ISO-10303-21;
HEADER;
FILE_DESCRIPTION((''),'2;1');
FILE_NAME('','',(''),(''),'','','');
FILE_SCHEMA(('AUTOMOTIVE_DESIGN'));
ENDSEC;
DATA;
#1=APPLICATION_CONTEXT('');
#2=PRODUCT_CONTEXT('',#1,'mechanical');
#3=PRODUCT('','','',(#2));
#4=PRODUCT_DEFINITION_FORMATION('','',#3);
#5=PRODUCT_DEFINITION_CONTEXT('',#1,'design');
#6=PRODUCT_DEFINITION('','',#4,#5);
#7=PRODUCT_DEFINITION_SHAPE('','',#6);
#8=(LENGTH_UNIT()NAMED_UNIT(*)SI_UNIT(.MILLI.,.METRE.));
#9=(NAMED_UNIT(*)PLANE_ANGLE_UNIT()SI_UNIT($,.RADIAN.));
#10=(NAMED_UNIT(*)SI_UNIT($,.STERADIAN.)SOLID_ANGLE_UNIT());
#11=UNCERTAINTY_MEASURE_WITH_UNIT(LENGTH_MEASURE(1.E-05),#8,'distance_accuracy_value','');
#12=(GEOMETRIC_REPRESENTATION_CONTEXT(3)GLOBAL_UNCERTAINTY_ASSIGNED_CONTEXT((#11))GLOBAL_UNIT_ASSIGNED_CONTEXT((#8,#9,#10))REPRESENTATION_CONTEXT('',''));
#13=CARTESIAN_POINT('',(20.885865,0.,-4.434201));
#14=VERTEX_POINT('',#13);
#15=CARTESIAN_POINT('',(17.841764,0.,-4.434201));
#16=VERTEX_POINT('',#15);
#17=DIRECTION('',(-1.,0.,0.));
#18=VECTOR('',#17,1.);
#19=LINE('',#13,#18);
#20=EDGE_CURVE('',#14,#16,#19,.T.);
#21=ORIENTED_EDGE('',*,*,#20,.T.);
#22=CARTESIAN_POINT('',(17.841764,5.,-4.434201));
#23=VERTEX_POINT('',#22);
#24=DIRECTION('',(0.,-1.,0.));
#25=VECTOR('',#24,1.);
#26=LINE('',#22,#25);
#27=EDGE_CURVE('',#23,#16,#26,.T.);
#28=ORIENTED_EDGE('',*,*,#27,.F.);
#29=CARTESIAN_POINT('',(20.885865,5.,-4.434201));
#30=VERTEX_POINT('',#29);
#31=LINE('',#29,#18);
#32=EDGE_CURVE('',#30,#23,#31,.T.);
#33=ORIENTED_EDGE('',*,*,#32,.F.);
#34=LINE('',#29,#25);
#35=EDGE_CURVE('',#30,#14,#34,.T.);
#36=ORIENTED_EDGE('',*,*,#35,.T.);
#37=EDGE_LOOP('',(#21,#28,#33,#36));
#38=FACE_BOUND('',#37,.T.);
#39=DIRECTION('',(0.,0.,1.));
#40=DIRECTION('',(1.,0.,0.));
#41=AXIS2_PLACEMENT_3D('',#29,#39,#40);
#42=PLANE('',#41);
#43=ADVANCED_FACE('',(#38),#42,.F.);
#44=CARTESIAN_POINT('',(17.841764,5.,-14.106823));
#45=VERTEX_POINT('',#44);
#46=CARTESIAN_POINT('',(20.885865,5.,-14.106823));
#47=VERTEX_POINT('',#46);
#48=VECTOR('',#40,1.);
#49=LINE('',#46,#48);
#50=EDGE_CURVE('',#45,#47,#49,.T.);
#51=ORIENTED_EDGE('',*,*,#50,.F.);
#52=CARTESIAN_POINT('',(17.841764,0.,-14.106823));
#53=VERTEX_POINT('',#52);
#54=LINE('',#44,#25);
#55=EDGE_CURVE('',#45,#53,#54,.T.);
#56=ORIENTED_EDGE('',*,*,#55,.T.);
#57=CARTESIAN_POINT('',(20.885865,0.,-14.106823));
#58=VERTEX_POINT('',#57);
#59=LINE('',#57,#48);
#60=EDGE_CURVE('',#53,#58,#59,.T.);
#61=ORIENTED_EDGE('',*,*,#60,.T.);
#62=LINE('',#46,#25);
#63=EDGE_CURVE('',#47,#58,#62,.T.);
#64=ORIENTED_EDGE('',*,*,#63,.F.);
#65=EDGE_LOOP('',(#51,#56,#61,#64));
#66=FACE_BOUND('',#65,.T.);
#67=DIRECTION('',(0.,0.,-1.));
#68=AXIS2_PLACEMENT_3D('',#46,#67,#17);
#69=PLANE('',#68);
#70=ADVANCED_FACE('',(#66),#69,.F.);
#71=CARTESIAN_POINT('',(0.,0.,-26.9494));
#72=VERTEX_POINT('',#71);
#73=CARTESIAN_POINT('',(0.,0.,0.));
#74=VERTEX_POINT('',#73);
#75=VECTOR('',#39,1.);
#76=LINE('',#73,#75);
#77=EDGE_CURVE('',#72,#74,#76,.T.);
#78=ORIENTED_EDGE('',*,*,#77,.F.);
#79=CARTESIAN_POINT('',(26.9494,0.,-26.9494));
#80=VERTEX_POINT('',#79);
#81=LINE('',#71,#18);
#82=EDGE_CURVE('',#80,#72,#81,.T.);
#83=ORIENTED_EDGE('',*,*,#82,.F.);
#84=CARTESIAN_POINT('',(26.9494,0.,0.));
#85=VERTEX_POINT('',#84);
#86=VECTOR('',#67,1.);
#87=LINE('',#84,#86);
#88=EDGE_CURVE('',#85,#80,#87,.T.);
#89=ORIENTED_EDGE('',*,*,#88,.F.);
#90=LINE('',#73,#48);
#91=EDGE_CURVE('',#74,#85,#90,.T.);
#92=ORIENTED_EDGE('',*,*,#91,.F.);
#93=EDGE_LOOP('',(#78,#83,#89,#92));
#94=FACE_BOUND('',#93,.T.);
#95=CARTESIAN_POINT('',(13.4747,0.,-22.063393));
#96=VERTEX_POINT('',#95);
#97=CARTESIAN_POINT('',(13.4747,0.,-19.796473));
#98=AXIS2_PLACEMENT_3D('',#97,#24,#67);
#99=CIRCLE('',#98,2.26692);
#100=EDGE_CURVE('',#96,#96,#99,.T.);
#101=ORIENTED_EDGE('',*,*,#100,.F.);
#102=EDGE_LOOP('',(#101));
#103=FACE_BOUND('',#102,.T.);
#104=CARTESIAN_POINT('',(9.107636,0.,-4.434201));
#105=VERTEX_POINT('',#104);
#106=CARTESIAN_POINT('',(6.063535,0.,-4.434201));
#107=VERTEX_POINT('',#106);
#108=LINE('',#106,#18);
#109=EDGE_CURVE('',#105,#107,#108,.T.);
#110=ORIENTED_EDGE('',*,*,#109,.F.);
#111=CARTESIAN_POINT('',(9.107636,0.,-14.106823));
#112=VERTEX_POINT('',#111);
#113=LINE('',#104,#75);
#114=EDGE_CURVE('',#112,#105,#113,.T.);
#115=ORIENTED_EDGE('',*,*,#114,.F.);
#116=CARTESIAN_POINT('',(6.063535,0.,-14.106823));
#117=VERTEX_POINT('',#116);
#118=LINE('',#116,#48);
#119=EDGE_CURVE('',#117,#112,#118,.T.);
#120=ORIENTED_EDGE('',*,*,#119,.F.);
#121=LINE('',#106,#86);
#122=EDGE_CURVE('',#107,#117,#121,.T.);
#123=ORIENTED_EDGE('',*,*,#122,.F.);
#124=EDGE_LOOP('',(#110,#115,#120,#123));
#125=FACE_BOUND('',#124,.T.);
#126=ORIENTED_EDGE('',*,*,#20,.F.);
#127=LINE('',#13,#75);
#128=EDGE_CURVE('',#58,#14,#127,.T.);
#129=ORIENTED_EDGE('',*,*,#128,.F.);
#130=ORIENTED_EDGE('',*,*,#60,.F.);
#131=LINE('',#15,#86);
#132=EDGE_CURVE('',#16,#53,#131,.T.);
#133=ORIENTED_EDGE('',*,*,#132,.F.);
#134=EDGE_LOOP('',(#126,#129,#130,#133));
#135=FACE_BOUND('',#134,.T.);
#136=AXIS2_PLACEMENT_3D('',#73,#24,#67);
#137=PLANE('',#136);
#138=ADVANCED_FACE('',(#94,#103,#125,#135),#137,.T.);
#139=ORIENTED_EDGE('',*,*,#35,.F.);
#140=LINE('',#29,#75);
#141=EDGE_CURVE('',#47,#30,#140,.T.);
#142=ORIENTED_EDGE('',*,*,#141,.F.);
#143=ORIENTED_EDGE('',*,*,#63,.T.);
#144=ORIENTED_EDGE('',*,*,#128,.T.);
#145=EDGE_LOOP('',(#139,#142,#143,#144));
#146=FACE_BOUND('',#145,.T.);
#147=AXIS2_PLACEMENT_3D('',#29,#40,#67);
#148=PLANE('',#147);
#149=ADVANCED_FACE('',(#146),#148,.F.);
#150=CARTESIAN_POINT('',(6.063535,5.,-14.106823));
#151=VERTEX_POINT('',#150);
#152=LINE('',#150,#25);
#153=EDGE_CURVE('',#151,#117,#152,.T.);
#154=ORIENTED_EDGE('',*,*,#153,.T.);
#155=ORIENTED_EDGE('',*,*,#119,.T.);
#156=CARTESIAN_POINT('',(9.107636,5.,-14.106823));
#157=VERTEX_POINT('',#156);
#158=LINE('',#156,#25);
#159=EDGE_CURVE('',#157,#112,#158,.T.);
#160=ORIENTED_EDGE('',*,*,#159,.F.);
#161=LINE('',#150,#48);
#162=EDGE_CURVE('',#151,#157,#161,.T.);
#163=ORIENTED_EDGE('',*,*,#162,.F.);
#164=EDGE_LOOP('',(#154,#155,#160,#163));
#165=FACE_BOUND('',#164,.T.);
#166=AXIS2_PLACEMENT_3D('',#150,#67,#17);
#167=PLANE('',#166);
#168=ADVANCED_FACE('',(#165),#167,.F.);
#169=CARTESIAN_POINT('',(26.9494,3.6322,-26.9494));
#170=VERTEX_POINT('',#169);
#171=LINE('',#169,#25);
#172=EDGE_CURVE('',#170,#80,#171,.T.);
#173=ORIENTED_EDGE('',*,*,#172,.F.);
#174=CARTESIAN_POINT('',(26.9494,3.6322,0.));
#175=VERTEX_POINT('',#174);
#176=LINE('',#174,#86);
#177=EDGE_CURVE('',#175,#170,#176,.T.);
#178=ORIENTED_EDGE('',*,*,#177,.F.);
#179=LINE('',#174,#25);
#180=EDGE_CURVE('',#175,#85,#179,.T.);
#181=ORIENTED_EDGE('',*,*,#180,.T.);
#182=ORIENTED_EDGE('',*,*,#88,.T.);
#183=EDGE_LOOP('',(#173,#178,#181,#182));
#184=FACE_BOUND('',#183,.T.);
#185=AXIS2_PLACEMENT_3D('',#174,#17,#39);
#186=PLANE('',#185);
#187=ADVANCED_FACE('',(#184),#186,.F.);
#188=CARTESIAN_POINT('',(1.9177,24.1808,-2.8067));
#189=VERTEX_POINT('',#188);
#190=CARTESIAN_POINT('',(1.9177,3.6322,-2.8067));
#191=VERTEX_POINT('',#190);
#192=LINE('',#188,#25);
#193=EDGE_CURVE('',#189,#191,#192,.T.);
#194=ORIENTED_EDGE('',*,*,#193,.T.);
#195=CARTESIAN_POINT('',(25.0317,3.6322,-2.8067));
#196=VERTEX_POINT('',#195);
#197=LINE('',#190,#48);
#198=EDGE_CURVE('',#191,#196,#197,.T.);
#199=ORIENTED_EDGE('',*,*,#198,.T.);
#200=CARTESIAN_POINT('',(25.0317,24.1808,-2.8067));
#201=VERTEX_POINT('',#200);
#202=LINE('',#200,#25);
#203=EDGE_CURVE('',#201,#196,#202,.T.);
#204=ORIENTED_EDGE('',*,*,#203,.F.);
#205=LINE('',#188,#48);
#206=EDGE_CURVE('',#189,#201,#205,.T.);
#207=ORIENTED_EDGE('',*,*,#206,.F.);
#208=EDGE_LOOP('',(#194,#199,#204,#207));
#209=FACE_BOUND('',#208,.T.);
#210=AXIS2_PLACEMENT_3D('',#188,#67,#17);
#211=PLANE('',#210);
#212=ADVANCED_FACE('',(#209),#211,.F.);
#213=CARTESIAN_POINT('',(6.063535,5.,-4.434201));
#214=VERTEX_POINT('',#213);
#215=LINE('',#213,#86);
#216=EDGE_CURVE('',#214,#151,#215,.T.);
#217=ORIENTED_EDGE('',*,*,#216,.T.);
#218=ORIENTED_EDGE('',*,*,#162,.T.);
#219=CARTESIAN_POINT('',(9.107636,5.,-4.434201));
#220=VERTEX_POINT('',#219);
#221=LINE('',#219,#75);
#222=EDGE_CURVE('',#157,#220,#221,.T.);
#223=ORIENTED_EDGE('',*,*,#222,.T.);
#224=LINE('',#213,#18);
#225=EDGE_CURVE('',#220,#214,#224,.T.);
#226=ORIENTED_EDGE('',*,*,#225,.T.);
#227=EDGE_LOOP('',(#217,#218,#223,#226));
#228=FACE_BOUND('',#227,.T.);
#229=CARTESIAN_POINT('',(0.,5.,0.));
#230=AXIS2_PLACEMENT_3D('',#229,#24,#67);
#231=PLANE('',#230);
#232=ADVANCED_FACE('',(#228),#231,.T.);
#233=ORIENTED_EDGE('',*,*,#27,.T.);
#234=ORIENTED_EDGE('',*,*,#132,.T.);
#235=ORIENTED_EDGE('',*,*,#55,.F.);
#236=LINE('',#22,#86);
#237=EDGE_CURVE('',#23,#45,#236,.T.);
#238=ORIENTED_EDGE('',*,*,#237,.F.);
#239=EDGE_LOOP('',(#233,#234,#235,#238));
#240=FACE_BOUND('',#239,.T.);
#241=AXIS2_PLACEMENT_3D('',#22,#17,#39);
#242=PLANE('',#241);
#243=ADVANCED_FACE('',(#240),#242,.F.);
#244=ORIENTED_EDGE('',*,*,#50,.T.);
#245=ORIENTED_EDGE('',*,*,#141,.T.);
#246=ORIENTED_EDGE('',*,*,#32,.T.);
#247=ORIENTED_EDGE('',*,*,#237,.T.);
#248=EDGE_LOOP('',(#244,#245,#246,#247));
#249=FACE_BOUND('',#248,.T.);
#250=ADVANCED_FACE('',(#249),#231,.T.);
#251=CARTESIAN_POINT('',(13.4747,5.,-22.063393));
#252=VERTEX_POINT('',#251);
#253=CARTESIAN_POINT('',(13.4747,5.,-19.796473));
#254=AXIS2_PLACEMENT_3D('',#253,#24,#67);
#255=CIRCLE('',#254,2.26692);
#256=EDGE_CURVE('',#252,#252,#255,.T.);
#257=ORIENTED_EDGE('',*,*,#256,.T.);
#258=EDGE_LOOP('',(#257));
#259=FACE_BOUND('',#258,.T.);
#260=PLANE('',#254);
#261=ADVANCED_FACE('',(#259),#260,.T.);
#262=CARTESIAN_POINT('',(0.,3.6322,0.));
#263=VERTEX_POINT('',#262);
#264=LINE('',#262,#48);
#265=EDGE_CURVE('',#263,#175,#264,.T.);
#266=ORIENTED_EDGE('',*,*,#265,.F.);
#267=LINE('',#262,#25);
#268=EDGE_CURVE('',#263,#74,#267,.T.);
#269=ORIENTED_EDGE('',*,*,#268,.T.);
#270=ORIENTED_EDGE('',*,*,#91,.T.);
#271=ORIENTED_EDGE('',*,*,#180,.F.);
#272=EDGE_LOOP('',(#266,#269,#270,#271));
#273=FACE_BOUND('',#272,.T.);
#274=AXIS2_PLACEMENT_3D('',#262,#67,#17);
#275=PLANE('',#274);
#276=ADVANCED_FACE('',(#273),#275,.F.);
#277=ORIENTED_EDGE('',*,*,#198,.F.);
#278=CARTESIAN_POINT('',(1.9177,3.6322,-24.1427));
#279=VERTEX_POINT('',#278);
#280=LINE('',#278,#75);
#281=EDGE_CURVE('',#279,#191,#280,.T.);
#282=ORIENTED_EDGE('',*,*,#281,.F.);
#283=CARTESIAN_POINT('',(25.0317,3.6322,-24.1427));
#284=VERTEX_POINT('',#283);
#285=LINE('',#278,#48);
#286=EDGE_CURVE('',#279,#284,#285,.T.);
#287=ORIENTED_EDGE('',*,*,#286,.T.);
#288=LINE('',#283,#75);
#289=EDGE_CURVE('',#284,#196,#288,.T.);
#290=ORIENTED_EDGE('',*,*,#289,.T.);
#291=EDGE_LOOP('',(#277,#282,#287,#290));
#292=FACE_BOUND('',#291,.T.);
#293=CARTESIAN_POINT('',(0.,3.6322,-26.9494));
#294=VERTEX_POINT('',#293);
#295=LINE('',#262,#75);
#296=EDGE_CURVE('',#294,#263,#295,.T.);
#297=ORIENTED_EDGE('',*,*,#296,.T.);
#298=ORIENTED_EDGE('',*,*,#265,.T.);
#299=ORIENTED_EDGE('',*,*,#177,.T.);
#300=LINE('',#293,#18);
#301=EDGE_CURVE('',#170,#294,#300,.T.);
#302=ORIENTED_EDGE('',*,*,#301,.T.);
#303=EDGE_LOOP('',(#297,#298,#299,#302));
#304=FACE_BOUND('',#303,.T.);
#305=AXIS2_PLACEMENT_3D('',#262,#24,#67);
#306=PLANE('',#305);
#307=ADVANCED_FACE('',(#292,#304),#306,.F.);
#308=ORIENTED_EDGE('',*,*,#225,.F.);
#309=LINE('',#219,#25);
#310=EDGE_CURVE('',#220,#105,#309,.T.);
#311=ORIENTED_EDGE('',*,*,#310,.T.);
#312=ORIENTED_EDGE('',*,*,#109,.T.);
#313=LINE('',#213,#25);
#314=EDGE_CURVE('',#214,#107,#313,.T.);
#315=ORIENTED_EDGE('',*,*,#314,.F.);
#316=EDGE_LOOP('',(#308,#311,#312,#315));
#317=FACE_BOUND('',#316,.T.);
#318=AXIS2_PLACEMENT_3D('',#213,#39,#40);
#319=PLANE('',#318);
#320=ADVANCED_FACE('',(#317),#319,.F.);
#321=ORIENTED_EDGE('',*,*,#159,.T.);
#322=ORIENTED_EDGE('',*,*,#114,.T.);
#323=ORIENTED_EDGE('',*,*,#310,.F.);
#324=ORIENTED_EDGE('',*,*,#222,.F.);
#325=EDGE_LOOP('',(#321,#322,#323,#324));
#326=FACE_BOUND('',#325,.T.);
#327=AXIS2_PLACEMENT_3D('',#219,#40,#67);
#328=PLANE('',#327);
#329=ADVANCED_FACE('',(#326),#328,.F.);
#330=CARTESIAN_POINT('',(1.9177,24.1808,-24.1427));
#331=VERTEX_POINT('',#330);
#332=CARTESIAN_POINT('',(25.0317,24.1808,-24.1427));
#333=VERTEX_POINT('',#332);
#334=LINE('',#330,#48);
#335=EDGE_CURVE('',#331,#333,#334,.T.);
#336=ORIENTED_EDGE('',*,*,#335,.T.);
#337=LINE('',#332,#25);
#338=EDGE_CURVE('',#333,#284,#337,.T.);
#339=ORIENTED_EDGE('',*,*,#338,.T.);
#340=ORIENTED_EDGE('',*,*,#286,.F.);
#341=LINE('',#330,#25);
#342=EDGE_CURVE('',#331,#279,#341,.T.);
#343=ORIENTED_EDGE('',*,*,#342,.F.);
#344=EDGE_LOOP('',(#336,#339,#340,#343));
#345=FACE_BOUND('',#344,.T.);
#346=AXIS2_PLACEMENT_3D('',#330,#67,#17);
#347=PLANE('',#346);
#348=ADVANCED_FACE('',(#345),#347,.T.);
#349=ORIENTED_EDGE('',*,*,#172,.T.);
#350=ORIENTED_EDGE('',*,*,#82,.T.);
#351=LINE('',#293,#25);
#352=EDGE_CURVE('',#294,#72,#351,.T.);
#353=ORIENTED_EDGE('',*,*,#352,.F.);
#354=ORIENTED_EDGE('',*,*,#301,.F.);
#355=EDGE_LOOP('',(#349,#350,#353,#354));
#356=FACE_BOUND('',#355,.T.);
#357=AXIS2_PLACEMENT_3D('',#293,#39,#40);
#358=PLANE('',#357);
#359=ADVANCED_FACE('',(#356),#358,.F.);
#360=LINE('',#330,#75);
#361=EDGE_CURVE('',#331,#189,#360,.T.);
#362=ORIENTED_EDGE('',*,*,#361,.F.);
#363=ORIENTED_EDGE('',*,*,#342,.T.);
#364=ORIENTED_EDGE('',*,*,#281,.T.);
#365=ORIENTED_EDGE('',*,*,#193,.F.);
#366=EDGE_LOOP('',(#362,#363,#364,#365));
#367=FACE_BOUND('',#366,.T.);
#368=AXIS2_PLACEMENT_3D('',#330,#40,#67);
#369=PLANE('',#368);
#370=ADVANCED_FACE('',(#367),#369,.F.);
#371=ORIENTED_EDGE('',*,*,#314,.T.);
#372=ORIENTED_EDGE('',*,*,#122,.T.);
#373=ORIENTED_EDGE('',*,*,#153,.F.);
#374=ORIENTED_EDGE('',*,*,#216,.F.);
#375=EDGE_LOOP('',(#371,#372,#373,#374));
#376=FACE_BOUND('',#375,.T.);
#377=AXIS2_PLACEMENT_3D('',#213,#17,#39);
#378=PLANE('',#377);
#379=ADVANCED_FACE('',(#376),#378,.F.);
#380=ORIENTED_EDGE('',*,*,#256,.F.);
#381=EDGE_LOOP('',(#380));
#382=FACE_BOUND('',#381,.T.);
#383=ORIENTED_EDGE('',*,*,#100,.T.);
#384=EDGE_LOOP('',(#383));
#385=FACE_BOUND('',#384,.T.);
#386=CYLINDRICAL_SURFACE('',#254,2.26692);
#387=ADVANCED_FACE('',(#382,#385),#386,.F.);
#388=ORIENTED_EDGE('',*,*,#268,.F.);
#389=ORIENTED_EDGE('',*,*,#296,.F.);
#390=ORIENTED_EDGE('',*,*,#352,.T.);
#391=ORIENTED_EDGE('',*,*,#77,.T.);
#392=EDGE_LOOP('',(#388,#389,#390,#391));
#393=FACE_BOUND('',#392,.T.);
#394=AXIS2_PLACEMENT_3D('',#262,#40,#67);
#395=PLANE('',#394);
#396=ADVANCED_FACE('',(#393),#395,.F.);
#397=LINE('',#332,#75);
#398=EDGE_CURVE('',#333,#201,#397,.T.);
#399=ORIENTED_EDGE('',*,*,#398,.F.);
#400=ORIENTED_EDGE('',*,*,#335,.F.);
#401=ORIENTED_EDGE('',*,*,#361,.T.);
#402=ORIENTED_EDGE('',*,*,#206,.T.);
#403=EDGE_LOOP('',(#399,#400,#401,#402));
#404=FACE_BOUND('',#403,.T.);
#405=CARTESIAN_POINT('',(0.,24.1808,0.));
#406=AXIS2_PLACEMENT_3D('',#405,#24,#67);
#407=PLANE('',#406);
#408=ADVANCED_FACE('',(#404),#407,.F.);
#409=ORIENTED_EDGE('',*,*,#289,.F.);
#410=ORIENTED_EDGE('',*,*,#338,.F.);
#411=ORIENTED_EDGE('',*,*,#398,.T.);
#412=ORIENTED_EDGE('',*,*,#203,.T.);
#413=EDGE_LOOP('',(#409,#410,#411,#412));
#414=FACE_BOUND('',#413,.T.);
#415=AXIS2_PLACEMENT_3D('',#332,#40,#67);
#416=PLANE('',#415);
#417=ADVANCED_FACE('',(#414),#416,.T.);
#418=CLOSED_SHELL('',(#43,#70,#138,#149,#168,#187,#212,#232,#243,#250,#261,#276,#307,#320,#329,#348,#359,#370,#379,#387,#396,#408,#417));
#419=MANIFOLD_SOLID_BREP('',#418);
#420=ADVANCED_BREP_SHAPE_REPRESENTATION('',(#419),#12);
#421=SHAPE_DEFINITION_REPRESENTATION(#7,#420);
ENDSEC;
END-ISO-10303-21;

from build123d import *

# Parameters (mm, degrees)
SKETCH1_W           = 26.9494
SKETCH1_H           = 26.9494
BOSS_EXTRUDE1_DEPTH = 3.6322
SKETCH2_W           = 23.114
SKETCH2_H           = 21.336
BOSS_EXTRUDE2_DEPTH = 20.5486
SKETCH3_R           = 2.26691968
SKETCH3_W           = 3.044100844
SKETCH3_H           = 9.672621698
CUT_EXTRUDE1_DEPTH  = 5


with BuildPart() as part:
    # Sketch1 → Boss-Extrude1 (new body)
    with BuildSketch(Plane(origin=(0, 0, 0), x_dir=(1, 0, 0), z_dir=(0, 1, 0))):
        with Locations((13.4747, 13.4747)):
            Rectangle(SKETCH1_W, SKETCH1_H)
    extrude(amount=BOSS_EXTRUDE1_DEPTH)

    # Sketch2 → Boss-Extrude2 (add)
    with BuildSketch(Plane(origin=(0, 3.6322, 0), x_dir=(1, 0, 0), z_dir=(0, 1, 0))):
        with Locations((13.4747, 13.4747)):
            Rectangle(SKETCH2_W, SKETCH2_H)
    extrude(amount=BOSS_EXTRUDE2_DEPTH)

    # Sketch3 → Cut-Extrude1 (cut)
    with BuildSketch(Plane.XZ):
        with Locations(Location((13.4747, -19.796472905, 0), (0, 0, 270))):
            Circle(SKETCH3_R)
        with Locations((7.585585607, -9.270512148)):
            Rectangle(SKETCH3_W, SKETCH3_H)
        with Locations((19.363814393, -9.270512148)):
            Rectangle(SKETCH3_W, SKETCH3_H)
    extrude(amount=-CUT_EXTRUDE1_DEPTH, mode=Mode.SUBTRACT)


solid = part.part
